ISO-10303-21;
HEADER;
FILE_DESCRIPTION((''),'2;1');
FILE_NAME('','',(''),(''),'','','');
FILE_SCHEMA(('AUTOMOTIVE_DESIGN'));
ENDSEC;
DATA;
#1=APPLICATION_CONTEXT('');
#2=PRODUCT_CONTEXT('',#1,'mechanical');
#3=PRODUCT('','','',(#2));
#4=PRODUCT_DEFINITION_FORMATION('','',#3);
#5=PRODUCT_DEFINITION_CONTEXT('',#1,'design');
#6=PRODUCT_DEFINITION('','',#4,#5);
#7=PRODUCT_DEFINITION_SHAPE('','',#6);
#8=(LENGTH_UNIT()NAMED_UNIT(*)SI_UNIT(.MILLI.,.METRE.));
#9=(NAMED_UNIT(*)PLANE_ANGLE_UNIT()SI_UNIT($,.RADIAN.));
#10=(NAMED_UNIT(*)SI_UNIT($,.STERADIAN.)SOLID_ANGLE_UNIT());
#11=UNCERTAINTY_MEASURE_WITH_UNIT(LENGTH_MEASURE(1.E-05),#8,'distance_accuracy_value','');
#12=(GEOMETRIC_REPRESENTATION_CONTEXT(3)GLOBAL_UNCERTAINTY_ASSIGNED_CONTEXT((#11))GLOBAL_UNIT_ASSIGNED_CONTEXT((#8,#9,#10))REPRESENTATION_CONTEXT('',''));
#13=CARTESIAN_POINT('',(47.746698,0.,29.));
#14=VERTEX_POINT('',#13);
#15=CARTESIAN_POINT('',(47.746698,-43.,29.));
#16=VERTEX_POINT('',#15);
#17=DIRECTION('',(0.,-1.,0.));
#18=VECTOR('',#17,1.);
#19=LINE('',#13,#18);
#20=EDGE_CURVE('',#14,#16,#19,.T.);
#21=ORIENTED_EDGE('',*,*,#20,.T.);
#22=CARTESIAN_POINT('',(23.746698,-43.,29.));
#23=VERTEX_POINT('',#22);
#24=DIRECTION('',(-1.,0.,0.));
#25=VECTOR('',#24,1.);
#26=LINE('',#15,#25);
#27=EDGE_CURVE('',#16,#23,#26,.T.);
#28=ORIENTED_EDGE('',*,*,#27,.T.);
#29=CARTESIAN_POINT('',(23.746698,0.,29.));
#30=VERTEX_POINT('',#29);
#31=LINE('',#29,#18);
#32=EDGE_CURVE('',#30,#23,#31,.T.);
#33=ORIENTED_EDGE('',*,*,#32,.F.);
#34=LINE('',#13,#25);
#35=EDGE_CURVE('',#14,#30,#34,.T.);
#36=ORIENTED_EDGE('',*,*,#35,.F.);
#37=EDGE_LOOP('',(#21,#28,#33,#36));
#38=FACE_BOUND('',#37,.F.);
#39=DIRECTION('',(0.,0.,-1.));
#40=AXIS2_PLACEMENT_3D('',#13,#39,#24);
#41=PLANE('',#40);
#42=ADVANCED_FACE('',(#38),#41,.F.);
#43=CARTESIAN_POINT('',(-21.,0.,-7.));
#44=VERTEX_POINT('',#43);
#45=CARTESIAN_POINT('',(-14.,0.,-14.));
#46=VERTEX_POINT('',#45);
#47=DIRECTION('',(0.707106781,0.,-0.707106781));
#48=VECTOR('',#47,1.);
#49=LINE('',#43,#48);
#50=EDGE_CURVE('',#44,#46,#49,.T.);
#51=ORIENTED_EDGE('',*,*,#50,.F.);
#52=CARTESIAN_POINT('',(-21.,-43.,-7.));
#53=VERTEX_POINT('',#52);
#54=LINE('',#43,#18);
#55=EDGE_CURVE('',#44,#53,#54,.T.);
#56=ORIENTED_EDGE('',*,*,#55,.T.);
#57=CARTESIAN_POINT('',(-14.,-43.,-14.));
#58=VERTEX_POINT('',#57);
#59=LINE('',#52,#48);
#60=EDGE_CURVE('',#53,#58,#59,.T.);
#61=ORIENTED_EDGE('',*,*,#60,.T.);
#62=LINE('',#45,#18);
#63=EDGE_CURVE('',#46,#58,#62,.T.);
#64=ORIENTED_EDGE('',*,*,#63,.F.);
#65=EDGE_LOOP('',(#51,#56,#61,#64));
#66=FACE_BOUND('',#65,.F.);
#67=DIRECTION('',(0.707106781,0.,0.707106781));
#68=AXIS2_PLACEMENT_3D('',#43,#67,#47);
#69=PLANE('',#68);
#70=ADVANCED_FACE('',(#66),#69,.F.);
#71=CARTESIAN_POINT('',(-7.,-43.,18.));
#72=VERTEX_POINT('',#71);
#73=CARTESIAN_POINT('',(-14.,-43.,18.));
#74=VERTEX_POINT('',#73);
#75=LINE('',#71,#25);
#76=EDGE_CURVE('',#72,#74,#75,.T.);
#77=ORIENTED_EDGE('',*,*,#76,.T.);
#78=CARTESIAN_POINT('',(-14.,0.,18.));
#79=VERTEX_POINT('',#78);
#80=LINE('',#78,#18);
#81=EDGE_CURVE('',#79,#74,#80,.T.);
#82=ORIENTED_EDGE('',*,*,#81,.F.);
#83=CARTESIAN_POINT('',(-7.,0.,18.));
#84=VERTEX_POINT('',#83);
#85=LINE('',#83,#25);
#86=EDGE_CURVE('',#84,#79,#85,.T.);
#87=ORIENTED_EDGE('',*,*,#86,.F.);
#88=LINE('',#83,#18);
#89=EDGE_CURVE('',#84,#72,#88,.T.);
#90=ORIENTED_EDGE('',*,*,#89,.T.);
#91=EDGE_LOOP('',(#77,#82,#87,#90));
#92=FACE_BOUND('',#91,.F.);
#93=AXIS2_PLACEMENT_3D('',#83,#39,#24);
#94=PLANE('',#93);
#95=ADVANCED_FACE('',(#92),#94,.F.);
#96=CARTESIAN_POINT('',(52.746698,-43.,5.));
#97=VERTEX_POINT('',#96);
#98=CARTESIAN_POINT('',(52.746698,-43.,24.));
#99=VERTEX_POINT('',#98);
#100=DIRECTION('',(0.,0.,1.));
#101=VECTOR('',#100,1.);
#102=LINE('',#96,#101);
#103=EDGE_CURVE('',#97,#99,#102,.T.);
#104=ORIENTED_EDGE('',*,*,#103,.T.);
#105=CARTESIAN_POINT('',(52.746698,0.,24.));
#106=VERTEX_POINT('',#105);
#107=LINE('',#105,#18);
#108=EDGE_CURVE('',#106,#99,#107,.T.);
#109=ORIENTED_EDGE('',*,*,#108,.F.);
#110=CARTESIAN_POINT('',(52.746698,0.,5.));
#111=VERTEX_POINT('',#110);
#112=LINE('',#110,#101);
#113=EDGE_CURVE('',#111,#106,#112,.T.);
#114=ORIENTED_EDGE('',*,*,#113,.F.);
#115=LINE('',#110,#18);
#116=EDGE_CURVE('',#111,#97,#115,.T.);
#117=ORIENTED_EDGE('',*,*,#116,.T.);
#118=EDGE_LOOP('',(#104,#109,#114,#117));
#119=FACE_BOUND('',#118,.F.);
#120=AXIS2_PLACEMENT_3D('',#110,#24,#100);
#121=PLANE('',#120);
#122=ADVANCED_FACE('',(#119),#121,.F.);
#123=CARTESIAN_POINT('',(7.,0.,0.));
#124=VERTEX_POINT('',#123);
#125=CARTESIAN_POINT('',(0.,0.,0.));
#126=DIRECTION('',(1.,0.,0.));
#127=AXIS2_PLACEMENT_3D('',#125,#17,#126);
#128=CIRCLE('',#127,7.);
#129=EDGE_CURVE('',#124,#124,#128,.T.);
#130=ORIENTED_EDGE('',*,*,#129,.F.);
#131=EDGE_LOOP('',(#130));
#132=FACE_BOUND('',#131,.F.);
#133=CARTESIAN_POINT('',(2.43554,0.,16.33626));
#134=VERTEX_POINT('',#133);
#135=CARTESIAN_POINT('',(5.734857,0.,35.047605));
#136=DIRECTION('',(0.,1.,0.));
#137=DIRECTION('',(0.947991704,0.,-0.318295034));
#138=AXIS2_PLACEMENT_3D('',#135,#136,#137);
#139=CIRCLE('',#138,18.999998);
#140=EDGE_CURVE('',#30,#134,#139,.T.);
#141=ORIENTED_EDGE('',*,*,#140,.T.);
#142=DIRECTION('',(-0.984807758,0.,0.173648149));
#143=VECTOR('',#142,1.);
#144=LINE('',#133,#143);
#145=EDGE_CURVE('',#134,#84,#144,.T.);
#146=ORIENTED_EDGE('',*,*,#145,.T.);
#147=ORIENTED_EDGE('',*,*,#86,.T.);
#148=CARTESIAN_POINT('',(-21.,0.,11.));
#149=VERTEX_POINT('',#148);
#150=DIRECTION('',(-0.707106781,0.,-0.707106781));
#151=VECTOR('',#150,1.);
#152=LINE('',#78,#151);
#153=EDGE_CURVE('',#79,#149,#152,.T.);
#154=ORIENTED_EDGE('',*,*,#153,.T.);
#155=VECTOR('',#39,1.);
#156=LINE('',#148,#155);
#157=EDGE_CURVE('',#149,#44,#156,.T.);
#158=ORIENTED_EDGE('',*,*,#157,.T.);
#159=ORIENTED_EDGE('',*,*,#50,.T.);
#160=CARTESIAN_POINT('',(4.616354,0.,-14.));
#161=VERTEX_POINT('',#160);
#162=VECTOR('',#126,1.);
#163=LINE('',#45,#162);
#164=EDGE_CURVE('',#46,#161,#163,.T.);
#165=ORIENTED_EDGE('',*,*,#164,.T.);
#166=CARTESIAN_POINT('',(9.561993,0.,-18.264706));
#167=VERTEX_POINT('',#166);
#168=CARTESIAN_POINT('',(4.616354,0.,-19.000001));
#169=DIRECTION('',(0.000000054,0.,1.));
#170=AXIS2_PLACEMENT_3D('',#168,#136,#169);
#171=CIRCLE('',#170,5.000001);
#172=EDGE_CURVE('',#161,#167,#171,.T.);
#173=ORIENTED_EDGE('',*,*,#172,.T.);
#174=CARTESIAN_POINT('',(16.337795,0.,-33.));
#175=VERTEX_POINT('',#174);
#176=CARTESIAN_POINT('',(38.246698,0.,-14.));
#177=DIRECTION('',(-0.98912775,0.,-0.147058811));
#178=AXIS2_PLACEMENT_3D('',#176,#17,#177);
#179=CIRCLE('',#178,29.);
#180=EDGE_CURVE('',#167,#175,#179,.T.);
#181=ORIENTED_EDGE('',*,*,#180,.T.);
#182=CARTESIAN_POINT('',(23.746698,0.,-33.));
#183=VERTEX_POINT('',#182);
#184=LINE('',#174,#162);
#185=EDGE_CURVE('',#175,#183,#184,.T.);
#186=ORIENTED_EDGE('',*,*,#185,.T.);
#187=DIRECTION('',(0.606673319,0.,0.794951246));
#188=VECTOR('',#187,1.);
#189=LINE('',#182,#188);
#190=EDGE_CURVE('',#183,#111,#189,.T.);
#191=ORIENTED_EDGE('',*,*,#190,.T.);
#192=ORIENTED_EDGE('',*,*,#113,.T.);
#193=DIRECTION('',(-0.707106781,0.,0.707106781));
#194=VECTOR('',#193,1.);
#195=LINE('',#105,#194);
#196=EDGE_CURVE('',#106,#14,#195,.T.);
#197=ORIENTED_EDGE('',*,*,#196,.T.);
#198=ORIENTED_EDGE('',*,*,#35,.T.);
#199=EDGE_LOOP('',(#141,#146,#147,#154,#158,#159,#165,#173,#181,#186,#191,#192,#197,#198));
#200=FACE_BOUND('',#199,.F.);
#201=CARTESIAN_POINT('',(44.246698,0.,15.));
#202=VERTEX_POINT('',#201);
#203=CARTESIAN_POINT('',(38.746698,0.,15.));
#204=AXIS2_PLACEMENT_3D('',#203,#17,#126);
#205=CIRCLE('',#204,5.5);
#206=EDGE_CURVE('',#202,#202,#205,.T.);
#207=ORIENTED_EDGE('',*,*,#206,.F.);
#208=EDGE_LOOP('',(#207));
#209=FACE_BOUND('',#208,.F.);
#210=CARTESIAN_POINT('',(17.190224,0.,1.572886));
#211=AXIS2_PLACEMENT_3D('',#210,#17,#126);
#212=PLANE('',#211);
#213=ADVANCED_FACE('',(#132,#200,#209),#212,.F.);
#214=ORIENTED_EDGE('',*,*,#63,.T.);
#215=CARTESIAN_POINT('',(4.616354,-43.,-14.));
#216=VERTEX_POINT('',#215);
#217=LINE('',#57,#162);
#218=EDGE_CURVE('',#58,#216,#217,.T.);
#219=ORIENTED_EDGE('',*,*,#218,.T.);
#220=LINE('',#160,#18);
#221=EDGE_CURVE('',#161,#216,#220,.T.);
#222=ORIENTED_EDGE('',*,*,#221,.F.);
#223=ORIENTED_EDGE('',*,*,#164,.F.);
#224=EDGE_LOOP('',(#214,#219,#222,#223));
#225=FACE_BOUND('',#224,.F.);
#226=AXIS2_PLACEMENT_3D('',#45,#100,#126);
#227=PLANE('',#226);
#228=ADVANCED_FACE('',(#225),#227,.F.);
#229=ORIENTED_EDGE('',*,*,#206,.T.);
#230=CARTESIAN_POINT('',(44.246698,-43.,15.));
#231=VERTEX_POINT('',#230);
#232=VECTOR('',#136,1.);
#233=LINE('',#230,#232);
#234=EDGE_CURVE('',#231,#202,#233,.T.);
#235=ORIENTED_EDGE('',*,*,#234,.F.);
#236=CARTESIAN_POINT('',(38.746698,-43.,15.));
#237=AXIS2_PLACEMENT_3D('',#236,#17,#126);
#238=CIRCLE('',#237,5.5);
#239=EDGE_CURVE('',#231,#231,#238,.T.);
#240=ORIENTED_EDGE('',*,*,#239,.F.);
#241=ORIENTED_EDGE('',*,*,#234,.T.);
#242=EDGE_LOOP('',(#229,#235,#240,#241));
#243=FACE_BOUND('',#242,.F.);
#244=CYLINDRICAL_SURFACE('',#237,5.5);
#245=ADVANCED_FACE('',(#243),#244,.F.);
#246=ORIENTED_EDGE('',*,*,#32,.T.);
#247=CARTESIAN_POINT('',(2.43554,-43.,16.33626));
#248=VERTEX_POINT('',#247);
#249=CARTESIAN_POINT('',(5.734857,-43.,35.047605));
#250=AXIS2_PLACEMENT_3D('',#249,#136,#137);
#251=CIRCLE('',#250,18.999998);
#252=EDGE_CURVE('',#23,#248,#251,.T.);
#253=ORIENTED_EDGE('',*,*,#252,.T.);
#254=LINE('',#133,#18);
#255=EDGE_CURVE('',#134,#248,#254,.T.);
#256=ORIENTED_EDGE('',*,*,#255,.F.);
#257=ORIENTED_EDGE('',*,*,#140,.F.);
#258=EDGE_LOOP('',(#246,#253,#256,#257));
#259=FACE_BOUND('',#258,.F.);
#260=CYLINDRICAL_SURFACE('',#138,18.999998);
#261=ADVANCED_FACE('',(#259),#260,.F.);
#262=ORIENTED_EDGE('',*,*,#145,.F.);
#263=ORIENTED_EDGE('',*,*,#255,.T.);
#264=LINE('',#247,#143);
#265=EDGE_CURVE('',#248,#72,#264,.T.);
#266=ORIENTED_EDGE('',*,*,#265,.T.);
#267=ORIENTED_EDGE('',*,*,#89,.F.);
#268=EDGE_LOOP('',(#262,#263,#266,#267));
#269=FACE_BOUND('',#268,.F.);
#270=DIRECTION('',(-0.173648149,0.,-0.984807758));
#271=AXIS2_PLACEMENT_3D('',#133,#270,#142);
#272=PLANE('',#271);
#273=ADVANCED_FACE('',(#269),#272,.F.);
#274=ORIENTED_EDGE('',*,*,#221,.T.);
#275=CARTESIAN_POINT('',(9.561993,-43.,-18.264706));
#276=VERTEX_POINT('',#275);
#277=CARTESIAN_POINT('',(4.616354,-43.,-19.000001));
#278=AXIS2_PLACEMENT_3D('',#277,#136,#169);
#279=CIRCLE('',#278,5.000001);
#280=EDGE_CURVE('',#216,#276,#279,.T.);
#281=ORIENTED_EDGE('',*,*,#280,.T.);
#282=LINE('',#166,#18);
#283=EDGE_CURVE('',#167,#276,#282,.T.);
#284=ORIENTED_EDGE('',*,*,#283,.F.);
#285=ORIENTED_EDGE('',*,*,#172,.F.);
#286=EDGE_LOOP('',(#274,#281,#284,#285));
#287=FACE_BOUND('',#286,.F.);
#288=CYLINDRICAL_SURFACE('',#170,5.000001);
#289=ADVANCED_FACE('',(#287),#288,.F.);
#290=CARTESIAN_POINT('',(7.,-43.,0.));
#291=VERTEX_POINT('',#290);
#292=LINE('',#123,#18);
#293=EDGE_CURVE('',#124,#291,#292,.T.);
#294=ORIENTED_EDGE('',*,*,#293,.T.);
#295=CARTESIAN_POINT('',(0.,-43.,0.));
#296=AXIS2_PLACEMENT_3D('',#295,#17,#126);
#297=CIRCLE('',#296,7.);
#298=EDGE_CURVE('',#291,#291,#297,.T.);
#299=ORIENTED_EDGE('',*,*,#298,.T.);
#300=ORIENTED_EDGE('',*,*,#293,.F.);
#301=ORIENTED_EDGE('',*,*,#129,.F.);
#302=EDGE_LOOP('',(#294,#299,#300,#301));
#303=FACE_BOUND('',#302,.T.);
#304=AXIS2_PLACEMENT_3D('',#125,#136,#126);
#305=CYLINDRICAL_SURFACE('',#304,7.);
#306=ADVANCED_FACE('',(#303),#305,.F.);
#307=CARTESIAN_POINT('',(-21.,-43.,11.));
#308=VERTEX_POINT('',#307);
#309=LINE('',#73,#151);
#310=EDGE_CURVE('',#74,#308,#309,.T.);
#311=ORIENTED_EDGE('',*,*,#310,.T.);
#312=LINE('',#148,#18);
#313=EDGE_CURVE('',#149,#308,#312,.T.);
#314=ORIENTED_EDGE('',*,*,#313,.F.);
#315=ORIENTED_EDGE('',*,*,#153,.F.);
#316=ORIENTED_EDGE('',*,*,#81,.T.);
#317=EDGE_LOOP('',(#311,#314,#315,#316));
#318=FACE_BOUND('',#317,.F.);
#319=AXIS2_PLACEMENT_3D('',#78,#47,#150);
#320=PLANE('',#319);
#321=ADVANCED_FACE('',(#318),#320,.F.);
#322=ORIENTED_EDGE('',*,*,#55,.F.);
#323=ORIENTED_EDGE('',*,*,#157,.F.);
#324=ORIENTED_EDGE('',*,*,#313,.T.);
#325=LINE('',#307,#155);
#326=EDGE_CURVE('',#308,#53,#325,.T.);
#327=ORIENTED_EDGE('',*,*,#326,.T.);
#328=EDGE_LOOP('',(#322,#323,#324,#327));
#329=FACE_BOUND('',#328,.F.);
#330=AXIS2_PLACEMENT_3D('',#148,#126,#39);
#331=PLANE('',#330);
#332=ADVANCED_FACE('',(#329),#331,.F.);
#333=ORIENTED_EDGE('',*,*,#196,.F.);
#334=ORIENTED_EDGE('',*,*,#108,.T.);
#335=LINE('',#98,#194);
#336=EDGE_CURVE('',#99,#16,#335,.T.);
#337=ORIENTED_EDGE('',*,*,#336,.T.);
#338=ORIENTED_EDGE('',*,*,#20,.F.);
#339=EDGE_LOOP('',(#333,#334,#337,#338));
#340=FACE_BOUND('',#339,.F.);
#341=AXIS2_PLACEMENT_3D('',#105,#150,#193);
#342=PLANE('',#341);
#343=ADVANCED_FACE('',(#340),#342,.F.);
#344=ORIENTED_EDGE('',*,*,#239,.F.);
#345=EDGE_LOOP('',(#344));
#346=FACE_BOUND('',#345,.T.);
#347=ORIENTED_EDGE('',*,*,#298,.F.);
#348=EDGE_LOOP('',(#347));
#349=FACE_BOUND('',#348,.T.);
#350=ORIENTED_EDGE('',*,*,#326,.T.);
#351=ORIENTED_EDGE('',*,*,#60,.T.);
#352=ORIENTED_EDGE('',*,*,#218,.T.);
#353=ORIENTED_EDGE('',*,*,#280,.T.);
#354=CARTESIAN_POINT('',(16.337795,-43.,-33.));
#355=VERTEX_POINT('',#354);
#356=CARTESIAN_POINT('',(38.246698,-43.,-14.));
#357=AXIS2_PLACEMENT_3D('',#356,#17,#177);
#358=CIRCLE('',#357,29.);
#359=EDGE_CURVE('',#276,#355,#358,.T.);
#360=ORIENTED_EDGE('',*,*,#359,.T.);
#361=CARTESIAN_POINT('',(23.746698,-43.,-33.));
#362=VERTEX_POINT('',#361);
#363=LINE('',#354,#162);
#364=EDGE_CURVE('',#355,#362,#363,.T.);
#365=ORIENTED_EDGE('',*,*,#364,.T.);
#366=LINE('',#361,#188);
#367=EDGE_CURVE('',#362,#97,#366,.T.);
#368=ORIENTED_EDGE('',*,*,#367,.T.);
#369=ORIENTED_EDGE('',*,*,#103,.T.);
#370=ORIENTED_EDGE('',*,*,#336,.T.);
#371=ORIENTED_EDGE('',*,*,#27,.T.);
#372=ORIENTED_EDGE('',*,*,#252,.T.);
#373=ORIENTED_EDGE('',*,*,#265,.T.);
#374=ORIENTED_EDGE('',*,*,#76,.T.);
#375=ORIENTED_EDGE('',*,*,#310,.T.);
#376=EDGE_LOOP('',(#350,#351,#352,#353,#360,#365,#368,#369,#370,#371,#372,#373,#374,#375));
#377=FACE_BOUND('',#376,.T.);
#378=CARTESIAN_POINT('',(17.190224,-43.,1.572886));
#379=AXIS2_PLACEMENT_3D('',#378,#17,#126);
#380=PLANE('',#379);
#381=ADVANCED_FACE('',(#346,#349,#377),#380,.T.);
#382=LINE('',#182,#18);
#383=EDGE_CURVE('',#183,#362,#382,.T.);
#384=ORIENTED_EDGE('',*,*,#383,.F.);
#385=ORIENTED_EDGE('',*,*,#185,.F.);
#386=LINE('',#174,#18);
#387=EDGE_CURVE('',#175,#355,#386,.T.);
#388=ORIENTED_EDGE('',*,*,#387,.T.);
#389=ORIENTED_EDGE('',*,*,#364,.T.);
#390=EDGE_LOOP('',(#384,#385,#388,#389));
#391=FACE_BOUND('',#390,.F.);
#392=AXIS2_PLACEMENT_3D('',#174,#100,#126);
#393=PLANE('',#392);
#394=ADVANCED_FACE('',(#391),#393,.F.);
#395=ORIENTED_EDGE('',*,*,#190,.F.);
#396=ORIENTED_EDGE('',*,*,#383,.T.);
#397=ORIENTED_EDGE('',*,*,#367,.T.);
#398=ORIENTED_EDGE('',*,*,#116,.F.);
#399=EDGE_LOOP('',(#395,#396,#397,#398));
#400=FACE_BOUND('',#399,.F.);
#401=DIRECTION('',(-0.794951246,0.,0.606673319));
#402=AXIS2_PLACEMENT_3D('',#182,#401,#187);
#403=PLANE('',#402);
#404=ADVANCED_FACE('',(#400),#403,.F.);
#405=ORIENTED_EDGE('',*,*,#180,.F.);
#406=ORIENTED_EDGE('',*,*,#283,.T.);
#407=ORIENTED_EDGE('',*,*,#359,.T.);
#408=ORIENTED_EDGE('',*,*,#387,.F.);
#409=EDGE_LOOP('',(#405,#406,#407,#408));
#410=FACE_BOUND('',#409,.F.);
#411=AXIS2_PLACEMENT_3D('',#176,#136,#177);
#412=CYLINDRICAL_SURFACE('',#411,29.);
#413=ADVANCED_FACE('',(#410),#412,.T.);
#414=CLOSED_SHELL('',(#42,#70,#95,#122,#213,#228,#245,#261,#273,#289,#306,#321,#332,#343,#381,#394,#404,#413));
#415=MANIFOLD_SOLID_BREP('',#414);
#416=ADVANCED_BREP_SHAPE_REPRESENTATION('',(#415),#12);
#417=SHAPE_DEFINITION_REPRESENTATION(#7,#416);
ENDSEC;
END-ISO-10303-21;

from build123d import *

# Parameters (mm, degrees)
F0_R     = 7
F1_DEPTH = 43
F2_R     = 5.5
F3_DEPTH = 43.001


with BuildPart() as f1:
    # F0 (on Front) → F1 (new body)
    with BuildSketch(Plane.XZ):
        with BuildLine():
            Line((-14, 18), (-21, 11))
            Line((-21, 11), (-21, -7))
            Line((-21, -7), (-14, -14))
            Line((-14, -14), (4.616354, -14))
            ThreePointArc((4.616354, -14), (7.88159, -15.213414), (9.561993, -18.264706))
            ThreePointArc((9.561993, -18.264706), (11.898823, -26.115672), (16.337795, -33))
            Line((16.337795, -33), (23.746698, -33))
            Line((23.746698, -33), (52.746698, 5))
            Line((52.746698, 5), (52.746698, 24))
            Line((52.746698, 24), (47.746698, 29))
            Line((47.746698, 29), (23.746698, 29))
            ThreePointArc((23.746698, 29), (15.440895, 18.713813), (2.43554, 16.33626))
            Line((2.43554, 16.33626), (-7, 18))
            Line((-7, 18), (-14, 18))
        make_face()
        Circle(F0_R, mode=Mode.SUBTRACT)
    extrude(amount=F1_DEPTH)

    # F2 (on face) → F3 (cut, through all)
    with BuildSketch(Plane.XZ.offset(43)):
        with Locations((38.746698, 15)):
            Circle(F2_R)
    extrude(amount=-F3_DEPTH, mode=Mode.SUBTRACT)


solid = f1.part
